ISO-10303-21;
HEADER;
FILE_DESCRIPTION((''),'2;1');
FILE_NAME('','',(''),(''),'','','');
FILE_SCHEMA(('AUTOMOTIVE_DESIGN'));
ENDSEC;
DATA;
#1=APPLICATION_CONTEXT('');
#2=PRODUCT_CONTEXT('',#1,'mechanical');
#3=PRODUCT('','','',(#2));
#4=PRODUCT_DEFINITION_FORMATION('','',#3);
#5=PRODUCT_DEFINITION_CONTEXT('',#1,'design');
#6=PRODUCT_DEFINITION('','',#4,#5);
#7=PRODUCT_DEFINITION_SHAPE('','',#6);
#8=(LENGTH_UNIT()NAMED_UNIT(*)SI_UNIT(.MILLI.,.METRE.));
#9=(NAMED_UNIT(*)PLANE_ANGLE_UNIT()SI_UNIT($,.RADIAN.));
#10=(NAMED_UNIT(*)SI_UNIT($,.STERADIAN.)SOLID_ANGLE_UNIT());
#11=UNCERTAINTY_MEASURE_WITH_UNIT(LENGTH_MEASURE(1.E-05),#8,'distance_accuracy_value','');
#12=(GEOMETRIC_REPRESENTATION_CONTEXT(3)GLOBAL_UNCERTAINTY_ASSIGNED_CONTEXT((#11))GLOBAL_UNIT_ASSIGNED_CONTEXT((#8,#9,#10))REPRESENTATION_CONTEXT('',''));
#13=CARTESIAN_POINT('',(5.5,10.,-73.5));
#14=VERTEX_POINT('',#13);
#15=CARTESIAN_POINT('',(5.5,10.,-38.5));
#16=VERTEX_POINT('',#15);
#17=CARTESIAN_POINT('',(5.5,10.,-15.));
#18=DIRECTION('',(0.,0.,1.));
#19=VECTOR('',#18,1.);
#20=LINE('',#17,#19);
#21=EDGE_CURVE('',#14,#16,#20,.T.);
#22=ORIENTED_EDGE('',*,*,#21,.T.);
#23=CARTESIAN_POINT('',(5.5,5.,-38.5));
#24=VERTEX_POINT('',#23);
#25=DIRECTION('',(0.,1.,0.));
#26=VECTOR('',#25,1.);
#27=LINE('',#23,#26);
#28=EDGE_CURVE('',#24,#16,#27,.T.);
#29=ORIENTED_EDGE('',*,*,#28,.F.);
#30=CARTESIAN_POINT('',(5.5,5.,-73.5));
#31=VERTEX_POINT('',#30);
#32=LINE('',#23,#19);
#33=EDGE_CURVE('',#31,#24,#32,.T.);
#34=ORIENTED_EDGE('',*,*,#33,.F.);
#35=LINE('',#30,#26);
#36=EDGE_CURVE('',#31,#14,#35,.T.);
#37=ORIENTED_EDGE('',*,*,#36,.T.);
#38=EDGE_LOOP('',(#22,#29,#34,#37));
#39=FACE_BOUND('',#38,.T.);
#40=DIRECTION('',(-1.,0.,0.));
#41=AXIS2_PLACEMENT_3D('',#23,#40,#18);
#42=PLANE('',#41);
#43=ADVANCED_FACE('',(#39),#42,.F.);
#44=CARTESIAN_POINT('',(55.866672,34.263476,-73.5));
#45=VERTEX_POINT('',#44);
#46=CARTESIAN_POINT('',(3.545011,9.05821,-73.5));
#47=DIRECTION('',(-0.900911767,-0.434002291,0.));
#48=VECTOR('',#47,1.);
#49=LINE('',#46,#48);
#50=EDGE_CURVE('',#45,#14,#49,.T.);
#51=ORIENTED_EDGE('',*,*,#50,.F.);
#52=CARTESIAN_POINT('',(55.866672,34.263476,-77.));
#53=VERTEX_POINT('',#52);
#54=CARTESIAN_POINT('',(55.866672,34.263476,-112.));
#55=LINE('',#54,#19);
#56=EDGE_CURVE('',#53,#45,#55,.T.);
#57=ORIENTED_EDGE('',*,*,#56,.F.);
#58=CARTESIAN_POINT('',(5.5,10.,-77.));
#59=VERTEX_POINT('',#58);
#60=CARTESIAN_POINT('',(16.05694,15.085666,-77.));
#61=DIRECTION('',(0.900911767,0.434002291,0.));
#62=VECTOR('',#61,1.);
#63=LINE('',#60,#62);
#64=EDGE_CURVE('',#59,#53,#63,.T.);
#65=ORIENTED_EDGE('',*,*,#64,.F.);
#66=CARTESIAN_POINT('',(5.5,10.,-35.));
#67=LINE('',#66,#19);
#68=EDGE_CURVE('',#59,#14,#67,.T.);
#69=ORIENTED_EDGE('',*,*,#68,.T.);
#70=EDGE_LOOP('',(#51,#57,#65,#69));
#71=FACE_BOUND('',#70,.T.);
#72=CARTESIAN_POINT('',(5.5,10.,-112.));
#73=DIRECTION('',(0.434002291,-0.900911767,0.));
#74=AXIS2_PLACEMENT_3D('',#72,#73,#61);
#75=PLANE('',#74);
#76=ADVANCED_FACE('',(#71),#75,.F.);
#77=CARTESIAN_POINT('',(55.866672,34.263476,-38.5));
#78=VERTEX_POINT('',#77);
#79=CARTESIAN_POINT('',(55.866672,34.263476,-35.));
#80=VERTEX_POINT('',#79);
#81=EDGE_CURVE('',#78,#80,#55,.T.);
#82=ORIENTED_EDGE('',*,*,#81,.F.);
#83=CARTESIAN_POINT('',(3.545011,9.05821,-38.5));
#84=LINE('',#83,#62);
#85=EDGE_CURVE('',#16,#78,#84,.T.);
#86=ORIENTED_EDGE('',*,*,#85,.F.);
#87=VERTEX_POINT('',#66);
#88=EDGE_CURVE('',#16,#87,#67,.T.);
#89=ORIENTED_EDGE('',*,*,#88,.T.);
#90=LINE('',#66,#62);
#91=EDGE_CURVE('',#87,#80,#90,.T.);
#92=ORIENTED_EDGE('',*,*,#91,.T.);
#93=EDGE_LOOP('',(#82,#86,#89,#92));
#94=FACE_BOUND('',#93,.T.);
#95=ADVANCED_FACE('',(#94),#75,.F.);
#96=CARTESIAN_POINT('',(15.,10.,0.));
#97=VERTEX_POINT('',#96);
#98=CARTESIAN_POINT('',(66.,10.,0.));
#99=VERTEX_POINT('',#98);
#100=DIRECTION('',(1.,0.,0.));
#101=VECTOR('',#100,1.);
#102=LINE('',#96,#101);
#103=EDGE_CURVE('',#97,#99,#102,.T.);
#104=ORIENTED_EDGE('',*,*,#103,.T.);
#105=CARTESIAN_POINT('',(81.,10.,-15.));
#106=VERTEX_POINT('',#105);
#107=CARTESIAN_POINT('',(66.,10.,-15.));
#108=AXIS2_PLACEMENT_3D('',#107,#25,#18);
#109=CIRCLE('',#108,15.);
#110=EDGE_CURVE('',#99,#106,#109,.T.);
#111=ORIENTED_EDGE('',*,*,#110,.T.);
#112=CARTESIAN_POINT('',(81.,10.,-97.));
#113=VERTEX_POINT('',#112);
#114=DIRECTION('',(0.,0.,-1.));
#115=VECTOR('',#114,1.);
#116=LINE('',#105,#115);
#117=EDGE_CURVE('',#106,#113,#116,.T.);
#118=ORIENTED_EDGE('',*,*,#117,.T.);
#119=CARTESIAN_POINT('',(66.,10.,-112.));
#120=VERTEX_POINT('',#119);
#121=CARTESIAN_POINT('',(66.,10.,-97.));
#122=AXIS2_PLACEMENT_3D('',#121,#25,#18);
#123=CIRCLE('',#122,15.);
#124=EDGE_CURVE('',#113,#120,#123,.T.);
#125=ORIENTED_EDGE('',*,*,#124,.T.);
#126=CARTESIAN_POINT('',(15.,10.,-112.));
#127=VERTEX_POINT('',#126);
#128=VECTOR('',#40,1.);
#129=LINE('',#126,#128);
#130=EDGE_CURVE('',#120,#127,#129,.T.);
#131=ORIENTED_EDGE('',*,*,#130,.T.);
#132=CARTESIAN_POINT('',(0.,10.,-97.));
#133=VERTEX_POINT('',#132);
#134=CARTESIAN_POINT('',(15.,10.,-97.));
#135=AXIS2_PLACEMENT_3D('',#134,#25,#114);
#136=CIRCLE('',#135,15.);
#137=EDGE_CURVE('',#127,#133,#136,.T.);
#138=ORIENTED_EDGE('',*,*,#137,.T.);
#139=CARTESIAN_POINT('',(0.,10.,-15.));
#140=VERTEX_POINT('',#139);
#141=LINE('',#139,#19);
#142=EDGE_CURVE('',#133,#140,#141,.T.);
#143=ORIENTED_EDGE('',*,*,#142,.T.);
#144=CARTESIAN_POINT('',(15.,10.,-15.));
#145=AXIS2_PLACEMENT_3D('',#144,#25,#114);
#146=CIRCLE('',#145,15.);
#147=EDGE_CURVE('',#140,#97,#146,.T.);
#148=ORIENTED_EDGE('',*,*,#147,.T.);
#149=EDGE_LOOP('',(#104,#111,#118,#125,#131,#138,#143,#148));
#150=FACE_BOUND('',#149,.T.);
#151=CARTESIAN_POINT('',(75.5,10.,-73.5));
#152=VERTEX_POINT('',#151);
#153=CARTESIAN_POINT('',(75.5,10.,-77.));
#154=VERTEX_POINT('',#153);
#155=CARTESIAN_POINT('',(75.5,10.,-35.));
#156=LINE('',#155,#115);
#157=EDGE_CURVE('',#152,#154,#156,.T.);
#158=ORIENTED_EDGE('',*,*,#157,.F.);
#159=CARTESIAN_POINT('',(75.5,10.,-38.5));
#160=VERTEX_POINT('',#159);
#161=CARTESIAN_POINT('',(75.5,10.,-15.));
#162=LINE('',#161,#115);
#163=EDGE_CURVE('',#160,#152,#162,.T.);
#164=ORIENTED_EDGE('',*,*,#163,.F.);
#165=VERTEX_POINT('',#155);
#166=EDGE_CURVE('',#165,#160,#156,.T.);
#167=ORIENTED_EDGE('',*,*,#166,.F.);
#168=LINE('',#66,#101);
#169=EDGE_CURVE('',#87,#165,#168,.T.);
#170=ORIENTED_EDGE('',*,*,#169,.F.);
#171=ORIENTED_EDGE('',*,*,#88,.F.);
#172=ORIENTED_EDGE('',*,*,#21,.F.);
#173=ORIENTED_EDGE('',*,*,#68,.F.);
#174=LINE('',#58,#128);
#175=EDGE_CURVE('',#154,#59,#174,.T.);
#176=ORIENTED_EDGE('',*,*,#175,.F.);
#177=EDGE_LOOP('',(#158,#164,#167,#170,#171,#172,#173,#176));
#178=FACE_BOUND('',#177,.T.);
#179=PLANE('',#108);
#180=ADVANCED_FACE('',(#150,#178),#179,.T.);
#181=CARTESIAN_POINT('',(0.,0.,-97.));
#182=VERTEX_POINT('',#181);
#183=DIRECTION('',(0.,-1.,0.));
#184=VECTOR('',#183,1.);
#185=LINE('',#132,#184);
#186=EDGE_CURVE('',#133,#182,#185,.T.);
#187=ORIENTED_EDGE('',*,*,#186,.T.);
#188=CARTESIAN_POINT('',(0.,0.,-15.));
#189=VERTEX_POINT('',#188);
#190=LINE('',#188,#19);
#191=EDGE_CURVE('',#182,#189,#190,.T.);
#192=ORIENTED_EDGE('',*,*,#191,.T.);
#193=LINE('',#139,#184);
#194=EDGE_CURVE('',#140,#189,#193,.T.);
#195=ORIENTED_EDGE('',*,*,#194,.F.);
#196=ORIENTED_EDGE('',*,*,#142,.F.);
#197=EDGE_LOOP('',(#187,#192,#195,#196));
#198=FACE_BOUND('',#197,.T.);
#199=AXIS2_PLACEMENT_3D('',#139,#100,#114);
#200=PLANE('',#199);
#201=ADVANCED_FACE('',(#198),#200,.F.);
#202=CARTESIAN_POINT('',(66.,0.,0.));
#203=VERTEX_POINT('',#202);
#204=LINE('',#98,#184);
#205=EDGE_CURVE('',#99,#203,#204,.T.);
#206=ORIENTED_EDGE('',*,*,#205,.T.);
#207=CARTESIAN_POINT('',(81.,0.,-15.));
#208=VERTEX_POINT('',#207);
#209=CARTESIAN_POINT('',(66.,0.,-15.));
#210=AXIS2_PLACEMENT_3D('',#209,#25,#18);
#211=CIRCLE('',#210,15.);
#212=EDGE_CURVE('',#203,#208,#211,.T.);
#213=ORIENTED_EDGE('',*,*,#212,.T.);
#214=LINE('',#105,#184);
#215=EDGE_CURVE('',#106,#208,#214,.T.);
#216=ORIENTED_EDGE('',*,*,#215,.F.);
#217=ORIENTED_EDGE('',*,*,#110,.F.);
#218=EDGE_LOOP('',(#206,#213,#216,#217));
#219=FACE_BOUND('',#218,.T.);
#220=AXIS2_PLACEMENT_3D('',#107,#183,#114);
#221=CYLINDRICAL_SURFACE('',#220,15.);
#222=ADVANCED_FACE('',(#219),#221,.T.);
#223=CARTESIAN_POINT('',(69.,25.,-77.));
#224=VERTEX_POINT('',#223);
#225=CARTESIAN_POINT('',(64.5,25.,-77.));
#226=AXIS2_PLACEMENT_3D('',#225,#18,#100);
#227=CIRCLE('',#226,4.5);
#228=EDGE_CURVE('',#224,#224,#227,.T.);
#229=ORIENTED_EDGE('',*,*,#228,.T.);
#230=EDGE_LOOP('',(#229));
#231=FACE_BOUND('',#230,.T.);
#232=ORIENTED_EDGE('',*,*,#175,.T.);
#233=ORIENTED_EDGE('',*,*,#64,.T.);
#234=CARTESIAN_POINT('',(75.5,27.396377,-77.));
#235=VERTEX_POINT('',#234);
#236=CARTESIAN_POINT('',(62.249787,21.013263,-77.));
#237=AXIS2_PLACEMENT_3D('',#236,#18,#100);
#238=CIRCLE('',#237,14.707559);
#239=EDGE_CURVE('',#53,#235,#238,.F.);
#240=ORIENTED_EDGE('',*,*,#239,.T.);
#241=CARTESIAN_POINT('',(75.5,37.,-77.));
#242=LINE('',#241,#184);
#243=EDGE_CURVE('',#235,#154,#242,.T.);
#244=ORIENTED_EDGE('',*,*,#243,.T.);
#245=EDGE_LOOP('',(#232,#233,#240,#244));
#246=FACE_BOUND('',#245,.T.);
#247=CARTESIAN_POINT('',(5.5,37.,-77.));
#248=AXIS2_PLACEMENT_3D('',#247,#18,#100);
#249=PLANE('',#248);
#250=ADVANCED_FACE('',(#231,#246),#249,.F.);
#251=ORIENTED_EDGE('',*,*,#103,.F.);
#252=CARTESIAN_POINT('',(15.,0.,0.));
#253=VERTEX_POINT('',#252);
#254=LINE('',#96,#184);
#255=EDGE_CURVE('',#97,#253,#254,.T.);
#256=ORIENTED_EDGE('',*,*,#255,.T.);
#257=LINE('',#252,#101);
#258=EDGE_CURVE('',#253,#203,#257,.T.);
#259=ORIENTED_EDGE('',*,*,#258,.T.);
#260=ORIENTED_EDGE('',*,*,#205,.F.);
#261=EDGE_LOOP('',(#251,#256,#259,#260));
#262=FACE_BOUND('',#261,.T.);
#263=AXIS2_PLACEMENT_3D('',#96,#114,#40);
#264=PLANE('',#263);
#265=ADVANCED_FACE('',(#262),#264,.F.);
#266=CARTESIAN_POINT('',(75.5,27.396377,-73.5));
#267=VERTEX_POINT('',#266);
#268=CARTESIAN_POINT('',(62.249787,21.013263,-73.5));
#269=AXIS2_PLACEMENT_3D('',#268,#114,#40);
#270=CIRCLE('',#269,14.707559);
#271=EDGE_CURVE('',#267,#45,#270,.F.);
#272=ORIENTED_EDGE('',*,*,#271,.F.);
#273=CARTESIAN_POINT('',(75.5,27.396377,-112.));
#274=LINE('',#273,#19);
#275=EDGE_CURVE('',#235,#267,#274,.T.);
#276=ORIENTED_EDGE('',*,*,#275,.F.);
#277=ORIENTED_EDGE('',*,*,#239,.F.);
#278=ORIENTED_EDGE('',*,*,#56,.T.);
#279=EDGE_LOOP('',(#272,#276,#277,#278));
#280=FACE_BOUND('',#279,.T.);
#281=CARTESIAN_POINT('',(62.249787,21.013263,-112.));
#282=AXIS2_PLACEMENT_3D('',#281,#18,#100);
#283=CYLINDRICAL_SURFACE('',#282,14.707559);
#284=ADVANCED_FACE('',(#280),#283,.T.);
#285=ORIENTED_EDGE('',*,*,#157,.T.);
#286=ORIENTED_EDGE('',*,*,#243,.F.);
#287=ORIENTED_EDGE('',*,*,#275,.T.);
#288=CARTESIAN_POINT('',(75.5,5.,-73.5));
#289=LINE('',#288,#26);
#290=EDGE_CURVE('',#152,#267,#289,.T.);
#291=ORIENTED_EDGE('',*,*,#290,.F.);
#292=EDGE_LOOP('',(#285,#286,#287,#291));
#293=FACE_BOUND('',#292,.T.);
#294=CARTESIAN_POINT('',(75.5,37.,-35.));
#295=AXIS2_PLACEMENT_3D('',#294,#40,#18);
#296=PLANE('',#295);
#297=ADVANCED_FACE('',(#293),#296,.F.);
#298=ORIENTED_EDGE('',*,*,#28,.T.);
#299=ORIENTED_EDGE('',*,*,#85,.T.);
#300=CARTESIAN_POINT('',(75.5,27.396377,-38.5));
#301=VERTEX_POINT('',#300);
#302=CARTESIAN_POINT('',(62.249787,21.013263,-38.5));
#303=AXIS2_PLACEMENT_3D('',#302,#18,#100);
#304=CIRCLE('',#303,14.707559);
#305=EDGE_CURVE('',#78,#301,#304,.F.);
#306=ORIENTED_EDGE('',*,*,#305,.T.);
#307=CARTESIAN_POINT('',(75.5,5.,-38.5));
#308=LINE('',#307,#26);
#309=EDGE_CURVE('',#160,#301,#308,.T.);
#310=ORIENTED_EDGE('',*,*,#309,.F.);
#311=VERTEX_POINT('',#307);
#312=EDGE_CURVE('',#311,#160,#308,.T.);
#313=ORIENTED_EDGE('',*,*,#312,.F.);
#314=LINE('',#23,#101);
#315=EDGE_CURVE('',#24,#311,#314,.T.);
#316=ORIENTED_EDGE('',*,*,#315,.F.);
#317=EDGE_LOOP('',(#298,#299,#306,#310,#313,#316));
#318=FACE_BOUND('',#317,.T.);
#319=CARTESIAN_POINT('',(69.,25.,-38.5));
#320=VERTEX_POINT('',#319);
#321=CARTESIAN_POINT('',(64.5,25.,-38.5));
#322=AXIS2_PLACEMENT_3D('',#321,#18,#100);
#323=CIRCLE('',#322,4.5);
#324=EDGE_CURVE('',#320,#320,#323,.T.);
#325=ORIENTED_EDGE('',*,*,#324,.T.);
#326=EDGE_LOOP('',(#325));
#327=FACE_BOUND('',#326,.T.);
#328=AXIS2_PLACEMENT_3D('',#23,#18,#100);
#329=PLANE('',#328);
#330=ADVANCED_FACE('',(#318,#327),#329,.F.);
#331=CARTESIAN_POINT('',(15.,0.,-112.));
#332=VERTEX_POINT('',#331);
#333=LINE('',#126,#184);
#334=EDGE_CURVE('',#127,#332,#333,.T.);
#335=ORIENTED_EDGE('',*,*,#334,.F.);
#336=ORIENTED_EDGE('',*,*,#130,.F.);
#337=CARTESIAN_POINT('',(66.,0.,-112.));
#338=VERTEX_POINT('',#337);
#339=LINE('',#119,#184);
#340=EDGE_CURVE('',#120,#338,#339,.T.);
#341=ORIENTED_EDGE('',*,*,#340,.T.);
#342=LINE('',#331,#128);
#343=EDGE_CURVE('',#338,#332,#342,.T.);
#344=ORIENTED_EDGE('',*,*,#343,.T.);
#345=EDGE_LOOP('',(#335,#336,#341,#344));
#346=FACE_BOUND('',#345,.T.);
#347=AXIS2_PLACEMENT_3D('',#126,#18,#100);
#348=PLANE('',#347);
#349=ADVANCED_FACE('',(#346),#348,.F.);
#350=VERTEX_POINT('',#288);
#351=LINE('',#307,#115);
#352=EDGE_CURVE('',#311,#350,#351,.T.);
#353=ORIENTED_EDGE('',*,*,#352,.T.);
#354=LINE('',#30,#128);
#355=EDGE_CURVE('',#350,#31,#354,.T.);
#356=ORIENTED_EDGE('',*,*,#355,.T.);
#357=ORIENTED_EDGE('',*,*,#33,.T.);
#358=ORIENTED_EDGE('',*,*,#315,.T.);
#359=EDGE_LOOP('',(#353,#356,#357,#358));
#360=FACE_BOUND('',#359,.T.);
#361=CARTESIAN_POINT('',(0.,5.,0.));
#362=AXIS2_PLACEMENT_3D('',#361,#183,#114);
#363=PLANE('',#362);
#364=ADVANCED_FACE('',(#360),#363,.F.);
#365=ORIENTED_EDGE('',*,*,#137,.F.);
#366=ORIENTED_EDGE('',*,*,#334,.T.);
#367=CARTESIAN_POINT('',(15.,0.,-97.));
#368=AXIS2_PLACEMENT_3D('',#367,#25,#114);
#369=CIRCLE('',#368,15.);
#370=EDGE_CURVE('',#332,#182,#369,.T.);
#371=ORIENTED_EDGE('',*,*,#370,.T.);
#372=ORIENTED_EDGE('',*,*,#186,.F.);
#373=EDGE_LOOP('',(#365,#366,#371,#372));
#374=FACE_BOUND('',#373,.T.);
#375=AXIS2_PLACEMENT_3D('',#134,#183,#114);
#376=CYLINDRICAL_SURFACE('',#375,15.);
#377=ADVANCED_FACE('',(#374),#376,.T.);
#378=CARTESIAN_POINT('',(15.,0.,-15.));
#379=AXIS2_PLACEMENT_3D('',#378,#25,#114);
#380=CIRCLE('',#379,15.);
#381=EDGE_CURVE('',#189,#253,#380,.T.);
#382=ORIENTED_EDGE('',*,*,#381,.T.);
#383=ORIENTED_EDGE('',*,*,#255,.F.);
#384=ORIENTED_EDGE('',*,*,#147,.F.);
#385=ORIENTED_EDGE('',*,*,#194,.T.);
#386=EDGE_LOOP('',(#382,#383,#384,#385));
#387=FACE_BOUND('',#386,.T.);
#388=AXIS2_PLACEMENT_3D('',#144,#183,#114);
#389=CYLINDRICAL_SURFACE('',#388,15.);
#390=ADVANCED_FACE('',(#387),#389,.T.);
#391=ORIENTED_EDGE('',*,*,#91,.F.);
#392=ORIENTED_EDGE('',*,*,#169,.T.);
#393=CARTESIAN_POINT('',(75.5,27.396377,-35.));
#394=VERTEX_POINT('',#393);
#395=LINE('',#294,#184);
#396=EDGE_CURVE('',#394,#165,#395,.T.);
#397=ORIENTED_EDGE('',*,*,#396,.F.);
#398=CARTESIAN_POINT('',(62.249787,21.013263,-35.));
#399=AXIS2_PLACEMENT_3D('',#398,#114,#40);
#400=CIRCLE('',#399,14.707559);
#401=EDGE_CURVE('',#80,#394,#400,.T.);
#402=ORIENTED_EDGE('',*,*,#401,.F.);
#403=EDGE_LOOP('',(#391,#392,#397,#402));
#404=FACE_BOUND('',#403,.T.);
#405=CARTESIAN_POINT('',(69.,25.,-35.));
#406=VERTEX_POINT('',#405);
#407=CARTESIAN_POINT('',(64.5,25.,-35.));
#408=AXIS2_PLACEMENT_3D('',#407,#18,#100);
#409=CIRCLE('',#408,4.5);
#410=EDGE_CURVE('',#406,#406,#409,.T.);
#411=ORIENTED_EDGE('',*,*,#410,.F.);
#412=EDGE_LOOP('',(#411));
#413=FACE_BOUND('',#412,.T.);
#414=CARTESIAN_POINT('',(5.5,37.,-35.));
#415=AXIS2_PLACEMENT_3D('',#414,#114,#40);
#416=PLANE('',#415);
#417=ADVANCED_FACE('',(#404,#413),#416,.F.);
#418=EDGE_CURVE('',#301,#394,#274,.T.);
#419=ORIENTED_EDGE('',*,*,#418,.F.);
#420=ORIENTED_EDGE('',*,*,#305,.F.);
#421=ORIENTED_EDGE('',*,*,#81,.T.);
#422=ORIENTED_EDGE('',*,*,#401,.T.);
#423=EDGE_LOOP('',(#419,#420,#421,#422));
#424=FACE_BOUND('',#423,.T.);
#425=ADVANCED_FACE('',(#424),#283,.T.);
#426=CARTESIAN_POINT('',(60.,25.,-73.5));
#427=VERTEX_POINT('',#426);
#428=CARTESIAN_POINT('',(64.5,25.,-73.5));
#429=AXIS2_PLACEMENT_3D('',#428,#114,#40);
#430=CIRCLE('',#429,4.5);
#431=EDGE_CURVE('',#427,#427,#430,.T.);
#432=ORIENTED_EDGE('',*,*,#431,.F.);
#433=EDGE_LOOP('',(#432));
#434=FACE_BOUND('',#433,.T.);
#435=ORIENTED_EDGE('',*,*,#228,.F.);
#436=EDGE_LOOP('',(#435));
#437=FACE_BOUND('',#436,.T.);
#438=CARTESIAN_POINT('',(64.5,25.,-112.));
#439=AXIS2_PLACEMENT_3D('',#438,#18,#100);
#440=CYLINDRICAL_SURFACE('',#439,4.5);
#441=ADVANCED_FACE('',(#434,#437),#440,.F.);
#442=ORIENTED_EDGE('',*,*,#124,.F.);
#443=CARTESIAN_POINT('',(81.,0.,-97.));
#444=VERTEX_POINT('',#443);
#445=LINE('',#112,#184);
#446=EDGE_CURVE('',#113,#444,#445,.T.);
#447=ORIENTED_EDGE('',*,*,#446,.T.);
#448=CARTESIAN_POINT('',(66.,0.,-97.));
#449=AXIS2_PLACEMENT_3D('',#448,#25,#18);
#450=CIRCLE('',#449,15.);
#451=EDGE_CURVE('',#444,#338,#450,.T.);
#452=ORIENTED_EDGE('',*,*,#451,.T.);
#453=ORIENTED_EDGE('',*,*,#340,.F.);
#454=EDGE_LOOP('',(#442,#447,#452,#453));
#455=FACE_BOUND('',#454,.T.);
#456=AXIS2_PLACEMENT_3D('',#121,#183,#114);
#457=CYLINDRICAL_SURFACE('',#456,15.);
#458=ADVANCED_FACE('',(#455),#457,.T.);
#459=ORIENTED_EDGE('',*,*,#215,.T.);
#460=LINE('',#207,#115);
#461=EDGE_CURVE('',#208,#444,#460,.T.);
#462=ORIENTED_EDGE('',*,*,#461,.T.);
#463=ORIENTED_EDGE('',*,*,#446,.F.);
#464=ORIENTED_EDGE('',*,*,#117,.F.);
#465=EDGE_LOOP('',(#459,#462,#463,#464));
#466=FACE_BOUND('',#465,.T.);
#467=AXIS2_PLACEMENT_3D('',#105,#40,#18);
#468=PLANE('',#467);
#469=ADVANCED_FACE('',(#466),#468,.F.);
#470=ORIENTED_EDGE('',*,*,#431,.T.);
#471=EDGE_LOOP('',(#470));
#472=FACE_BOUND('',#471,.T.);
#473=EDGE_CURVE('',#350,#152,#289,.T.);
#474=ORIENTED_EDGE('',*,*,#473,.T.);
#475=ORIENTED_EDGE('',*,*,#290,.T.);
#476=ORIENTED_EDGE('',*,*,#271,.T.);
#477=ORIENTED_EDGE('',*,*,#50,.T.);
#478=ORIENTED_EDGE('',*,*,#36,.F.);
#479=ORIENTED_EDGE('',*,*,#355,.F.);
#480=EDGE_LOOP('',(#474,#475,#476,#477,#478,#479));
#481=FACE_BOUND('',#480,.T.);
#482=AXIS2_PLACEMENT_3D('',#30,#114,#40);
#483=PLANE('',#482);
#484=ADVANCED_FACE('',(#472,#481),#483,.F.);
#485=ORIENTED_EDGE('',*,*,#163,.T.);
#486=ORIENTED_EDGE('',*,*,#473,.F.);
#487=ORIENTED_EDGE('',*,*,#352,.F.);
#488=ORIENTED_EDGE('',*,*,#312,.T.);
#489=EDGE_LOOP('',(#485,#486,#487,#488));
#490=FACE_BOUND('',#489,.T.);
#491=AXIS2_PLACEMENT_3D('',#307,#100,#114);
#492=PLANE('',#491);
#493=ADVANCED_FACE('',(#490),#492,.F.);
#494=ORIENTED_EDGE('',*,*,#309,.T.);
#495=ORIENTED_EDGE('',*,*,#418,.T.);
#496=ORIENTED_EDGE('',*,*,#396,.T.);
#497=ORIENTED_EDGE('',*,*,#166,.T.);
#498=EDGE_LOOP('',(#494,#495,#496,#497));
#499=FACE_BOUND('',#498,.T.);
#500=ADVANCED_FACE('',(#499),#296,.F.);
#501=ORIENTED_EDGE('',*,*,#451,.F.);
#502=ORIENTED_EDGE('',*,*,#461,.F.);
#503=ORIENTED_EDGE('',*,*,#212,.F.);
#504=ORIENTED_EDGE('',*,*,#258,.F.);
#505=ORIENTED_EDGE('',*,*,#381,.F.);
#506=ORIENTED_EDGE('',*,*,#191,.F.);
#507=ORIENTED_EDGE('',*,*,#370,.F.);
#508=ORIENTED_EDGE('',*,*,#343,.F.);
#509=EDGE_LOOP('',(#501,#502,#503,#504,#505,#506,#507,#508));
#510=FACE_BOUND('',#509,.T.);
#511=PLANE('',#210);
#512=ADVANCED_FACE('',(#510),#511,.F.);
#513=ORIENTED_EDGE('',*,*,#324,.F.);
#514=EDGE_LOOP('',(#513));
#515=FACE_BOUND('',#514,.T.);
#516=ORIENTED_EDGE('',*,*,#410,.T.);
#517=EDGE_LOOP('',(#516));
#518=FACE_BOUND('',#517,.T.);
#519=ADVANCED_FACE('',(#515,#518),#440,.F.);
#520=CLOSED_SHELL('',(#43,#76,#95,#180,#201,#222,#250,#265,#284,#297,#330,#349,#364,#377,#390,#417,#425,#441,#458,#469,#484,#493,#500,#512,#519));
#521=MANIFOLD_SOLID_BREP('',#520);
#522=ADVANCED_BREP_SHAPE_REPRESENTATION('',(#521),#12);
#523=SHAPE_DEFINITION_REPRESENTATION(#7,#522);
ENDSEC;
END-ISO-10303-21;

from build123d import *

# Parameters (mm, degrees)
EXTRUDE_1_DEPTH     = 10
SKETCH_2_W          = 70
SKETCH_2_H          = 42
EXTRUDE_2_DEPTH     = 27
SKETCH_3_W          = 70
SKETCH_3_H          = 35
CUT_EXTRUDE_1_DEPTH = 32
SKETCH_4_R          = 4.5
CUT_EXTRUDE_2_DEPTH = 118.724254086


with BuildPart() as part:
    # Sketch 150 → 凸台-拉伸1 (new body)
    with BuildSketch(Plane(origin=(0, 0, 0), x_dir=(1, 0, 0), z_dir=(0, 1, 0))):
        with BuildLine():
            Line((15, 0), (66, 0))
            ThreePointArc((66, 0), (76.606601718, 4.393398282), (81, 15))
            Line((81, 15), (81, 97))
            ThreePointArc((81, 97), (76.606601718, 107.606601718), (66, 112))
            Line((66, 112), (15, 112))
            ThreePointArc((15, 112), (4.393398282, 107.606601718), (0, 97))
            Line((0, 97), (0, 15))
            ThreePointArc((0, 15), (4.393398282, 4.393398282), (15, 0))
        make_face()
    extrude(amount=EXTRUDE_1_DEPTH)

    # 草图2 → 凸台-拉伸2 (add)
    with BuildSketch(Plane(origin=(0, 10, 0), x_dir=(1, 0, 0), z_dir=(0, 1, 0))):
        with Locations((40.5, 56)):
            Rectangle(SKETCH_2_W, SKETCH_2_H)
    extrude(amount=EXTRUDE_2_DEPTH)

    # 草图3 → 切除-拉伸1 (cut)
    with BuildSketch(Plane(origin=(0, 37, 0), x_dir=(1, 0, 0), z_dir=(0, 1, 0))):
        with Locations((40.5, 56)):
            Rectangle(SKETCH_3_W, SKETCH_3_H)
    extrude(amount=-CUT_EXTRUDE_1_DEPTH, mode=Mode.SUBTRACT)

    # 草图4 → 切除-拉伸2 (cut, through all)
    with BuildSketch(Plane.XY.offset(-35)):
        with Locations((64.5, 25)):
            Circle(SKETCH_4_R)
        with BuildLine():
            Line((5.5, 10), (2.465175939, 10))
            Line((2.465175939, 10), (2.465175939, 42.34627873))
            Line((2.465175939, 42.34627873), (79.036091511, 42.34627873))
            Line((79.036091511, 42.34627873), (79.036091511, 27.396377445))
            Line((79.036091511, 27.396377445), (75.5, 27.396377445))
            ThreePointArc((75.5, 27.396377445), (67.105558918, 34.896122118), (55.866672389, 34.26347622))
            Line((55.866672389, 34.26347622), (5.5, 10))
        make_face()
    extrude(amount=-CUT_EXTRUDE_2_DEPTH, mode=Mode.SUBTRACT)


solid = part.part
